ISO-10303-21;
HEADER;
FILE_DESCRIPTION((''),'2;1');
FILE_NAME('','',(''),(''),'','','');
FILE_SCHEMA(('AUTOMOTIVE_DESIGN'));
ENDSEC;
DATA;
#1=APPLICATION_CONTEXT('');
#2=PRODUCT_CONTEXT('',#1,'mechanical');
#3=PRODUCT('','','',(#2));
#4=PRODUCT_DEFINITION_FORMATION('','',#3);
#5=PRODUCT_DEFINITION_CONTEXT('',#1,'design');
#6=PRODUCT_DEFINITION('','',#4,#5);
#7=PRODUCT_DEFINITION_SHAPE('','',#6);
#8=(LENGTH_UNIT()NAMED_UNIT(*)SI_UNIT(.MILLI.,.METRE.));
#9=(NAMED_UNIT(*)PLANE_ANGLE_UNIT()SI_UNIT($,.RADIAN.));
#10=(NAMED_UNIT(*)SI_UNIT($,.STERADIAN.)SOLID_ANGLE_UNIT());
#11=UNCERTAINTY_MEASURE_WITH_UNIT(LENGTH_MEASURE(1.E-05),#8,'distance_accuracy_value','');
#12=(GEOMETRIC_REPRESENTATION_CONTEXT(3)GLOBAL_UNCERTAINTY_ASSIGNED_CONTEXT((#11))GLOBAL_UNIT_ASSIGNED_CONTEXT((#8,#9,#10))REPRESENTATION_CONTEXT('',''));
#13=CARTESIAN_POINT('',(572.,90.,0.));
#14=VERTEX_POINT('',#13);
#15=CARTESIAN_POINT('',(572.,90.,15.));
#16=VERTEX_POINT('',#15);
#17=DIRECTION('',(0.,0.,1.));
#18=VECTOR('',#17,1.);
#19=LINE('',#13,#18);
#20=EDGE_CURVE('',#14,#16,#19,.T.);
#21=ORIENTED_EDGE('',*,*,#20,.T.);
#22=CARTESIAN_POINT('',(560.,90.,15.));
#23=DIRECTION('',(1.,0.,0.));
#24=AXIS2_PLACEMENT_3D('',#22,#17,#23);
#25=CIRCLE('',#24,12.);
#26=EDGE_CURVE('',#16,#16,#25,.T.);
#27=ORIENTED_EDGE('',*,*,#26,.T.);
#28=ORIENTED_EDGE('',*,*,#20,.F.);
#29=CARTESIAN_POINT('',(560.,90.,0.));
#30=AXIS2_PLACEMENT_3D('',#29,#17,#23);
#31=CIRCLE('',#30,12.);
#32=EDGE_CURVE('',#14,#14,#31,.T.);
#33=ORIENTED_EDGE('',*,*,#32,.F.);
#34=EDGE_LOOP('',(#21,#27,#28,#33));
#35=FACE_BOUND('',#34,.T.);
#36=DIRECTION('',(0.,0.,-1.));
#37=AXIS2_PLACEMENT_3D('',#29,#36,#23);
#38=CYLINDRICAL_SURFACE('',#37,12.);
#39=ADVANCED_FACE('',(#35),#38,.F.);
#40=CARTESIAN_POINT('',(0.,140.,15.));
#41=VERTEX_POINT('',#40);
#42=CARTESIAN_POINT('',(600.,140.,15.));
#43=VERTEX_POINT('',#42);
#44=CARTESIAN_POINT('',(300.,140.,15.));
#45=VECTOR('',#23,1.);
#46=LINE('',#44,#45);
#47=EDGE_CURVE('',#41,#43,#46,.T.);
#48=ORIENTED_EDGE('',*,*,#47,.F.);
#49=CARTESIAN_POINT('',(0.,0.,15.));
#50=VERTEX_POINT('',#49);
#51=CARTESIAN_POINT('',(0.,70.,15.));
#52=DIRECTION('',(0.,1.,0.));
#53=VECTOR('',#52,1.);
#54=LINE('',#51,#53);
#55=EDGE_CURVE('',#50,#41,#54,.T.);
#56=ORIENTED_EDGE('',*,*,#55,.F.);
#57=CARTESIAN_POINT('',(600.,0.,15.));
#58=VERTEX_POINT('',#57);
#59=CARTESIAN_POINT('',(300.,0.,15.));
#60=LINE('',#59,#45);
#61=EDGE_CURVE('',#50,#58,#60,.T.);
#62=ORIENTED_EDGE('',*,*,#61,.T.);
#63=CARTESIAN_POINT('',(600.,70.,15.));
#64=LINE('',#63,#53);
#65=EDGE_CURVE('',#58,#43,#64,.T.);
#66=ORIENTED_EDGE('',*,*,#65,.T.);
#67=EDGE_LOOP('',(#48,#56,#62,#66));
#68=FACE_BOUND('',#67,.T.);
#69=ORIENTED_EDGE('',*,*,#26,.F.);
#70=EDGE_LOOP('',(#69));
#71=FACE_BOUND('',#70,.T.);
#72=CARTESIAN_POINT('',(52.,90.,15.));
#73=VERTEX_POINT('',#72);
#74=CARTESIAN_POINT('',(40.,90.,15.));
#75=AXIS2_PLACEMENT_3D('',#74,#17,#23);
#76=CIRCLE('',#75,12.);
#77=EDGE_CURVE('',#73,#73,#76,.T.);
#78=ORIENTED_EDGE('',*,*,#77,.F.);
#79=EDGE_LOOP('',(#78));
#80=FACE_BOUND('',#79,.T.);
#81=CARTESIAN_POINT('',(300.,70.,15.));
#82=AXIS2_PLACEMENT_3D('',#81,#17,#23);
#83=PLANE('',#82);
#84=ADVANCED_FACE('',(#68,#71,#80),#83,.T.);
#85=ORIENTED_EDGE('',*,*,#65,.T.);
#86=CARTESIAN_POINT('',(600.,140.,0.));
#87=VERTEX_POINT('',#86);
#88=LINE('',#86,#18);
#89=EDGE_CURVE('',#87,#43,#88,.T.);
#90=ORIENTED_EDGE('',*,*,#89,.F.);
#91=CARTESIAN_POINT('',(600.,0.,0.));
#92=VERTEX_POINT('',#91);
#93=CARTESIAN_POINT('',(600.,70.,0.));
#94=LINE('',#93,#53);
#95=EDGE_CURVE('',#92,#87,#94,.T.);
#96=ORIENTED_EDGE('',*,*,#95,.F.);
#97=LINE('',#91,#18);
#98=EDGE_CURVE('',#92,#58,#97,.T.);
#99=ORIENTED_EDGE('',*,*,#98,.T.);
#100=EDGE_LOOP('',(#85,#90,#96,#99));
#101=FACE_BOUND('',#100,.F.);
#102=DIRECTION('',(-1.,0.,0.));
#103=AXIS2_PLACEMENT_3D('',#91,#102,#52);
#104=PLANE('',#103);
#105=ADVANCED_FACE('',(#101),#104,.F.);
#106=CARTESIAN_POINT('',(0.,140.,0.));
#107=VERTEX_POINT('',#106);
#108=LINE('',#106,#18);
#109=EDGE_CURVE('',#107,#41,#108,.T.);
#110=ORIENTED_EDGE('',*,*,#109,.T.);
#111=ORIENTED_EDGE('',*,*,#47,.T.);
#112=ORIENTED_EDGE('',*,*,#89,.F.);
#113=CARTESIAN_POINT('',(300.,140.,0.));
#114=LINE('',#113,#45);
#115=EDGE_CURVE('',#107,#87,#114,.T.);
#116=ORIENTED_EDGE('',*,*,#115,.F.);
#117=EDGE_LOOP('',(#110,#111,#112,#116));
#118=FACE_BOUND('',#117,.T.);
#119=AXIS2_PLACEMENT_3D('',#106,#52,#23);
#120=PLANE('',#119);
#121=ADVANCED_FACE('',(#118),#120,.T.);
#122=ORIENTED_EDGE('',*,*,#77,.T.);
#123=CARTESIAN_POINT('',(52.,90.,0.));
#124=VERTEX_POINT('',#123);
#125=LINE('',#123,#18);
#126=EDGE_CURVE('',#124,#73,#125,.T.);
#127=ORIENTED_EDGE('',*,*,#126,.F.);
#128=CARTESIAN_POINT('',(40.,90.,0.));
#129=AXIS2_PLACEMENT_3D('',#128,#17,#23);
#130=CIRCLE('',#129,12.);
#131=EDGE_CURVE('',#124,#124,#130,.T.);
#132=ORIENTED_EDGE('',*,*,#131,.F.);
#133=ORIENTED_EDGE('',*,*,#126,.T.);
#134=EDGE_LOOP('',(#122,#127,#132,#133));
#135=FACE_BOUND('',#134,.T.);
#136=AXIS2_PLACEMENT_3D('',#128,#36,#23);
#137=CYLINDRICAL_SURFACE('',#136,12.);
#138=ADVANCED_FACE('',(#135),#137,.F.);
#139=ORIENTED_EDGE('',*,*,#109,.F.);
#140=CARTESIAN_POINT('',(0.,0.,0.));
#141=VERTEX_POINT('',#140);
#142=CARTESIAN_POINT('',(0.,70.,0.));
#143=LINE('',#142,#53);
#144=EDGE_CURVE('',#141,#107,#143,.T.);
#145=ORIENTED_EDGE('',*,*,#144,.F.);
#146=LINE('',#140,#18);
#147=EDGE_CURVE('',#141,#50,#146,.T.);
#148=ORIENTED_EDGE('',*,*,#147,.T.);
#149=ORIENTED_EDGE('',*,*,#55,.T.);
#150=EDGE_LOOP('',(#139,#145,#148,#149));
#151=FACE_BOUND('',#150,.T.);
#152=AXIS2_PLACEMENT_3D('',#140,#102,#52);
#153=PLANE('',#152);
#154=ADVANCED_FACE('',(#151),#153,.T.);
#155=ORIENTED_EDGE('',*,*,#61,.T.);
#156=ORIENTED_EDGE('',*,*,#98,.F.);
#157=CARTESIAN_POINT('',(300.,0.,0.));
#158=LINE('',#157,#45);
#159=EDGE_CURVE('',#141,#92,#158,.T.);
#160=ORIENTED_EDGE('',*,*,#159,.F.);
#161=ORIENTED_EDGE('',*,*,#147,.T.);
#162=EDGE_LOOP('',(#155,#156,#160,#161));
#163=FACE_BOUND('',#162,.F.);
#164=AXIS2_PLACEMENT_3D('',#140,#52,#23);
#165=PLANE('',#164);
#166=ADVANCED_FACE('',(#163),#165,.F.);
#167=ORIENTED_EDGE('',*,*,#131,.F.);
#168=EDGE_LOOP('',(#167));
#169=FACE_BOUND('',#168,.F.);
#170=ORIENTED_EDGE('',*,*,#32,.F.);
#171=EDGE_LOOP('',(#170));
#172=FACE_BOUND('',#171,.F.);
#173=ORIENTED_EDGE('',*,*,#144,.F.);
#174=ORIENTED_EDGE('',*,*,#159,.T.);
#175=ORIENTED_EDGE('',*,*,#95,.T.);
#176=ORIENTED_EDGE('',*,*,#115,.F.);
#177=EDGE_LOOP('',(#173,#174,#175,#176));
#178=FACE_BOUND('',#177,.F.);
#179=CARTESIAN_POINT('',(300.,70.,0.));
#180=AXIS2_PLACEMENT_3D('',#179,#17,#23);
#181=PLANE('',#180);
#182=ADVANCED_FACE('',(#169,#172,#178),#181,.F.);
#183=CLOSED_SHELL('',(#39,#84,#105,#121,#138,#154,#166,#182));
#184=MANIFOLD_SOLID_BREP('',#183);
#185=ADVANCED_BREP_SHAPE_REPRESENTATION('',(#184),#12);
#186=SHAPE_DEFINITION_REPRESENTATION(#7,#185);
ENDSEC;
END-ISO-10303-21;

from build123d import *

# Parameters (mm, degrees)
SKETCH_W  = 600
SKETCH_H  = 140
SKETCH_R  = 12
PAD_DEPTH = 15


with BuildPart() as part:
    # Sketch → Pad (new body)
    with BuildSketch(Plane.XY):
        with Locations((300, 70)):
            Rectangle(SKETCH_W, SKETCH_H)
        with Locations((40, 90)):
            Circle(SKETCH_R, mode=Mode.SUBTRACT)
        with Locations((560, 90)):
            Circle(SKETCH_R, mode=Mode.SUBTRACT)
    extrude(amount=PAD_DEPTH)


solid = part.part
